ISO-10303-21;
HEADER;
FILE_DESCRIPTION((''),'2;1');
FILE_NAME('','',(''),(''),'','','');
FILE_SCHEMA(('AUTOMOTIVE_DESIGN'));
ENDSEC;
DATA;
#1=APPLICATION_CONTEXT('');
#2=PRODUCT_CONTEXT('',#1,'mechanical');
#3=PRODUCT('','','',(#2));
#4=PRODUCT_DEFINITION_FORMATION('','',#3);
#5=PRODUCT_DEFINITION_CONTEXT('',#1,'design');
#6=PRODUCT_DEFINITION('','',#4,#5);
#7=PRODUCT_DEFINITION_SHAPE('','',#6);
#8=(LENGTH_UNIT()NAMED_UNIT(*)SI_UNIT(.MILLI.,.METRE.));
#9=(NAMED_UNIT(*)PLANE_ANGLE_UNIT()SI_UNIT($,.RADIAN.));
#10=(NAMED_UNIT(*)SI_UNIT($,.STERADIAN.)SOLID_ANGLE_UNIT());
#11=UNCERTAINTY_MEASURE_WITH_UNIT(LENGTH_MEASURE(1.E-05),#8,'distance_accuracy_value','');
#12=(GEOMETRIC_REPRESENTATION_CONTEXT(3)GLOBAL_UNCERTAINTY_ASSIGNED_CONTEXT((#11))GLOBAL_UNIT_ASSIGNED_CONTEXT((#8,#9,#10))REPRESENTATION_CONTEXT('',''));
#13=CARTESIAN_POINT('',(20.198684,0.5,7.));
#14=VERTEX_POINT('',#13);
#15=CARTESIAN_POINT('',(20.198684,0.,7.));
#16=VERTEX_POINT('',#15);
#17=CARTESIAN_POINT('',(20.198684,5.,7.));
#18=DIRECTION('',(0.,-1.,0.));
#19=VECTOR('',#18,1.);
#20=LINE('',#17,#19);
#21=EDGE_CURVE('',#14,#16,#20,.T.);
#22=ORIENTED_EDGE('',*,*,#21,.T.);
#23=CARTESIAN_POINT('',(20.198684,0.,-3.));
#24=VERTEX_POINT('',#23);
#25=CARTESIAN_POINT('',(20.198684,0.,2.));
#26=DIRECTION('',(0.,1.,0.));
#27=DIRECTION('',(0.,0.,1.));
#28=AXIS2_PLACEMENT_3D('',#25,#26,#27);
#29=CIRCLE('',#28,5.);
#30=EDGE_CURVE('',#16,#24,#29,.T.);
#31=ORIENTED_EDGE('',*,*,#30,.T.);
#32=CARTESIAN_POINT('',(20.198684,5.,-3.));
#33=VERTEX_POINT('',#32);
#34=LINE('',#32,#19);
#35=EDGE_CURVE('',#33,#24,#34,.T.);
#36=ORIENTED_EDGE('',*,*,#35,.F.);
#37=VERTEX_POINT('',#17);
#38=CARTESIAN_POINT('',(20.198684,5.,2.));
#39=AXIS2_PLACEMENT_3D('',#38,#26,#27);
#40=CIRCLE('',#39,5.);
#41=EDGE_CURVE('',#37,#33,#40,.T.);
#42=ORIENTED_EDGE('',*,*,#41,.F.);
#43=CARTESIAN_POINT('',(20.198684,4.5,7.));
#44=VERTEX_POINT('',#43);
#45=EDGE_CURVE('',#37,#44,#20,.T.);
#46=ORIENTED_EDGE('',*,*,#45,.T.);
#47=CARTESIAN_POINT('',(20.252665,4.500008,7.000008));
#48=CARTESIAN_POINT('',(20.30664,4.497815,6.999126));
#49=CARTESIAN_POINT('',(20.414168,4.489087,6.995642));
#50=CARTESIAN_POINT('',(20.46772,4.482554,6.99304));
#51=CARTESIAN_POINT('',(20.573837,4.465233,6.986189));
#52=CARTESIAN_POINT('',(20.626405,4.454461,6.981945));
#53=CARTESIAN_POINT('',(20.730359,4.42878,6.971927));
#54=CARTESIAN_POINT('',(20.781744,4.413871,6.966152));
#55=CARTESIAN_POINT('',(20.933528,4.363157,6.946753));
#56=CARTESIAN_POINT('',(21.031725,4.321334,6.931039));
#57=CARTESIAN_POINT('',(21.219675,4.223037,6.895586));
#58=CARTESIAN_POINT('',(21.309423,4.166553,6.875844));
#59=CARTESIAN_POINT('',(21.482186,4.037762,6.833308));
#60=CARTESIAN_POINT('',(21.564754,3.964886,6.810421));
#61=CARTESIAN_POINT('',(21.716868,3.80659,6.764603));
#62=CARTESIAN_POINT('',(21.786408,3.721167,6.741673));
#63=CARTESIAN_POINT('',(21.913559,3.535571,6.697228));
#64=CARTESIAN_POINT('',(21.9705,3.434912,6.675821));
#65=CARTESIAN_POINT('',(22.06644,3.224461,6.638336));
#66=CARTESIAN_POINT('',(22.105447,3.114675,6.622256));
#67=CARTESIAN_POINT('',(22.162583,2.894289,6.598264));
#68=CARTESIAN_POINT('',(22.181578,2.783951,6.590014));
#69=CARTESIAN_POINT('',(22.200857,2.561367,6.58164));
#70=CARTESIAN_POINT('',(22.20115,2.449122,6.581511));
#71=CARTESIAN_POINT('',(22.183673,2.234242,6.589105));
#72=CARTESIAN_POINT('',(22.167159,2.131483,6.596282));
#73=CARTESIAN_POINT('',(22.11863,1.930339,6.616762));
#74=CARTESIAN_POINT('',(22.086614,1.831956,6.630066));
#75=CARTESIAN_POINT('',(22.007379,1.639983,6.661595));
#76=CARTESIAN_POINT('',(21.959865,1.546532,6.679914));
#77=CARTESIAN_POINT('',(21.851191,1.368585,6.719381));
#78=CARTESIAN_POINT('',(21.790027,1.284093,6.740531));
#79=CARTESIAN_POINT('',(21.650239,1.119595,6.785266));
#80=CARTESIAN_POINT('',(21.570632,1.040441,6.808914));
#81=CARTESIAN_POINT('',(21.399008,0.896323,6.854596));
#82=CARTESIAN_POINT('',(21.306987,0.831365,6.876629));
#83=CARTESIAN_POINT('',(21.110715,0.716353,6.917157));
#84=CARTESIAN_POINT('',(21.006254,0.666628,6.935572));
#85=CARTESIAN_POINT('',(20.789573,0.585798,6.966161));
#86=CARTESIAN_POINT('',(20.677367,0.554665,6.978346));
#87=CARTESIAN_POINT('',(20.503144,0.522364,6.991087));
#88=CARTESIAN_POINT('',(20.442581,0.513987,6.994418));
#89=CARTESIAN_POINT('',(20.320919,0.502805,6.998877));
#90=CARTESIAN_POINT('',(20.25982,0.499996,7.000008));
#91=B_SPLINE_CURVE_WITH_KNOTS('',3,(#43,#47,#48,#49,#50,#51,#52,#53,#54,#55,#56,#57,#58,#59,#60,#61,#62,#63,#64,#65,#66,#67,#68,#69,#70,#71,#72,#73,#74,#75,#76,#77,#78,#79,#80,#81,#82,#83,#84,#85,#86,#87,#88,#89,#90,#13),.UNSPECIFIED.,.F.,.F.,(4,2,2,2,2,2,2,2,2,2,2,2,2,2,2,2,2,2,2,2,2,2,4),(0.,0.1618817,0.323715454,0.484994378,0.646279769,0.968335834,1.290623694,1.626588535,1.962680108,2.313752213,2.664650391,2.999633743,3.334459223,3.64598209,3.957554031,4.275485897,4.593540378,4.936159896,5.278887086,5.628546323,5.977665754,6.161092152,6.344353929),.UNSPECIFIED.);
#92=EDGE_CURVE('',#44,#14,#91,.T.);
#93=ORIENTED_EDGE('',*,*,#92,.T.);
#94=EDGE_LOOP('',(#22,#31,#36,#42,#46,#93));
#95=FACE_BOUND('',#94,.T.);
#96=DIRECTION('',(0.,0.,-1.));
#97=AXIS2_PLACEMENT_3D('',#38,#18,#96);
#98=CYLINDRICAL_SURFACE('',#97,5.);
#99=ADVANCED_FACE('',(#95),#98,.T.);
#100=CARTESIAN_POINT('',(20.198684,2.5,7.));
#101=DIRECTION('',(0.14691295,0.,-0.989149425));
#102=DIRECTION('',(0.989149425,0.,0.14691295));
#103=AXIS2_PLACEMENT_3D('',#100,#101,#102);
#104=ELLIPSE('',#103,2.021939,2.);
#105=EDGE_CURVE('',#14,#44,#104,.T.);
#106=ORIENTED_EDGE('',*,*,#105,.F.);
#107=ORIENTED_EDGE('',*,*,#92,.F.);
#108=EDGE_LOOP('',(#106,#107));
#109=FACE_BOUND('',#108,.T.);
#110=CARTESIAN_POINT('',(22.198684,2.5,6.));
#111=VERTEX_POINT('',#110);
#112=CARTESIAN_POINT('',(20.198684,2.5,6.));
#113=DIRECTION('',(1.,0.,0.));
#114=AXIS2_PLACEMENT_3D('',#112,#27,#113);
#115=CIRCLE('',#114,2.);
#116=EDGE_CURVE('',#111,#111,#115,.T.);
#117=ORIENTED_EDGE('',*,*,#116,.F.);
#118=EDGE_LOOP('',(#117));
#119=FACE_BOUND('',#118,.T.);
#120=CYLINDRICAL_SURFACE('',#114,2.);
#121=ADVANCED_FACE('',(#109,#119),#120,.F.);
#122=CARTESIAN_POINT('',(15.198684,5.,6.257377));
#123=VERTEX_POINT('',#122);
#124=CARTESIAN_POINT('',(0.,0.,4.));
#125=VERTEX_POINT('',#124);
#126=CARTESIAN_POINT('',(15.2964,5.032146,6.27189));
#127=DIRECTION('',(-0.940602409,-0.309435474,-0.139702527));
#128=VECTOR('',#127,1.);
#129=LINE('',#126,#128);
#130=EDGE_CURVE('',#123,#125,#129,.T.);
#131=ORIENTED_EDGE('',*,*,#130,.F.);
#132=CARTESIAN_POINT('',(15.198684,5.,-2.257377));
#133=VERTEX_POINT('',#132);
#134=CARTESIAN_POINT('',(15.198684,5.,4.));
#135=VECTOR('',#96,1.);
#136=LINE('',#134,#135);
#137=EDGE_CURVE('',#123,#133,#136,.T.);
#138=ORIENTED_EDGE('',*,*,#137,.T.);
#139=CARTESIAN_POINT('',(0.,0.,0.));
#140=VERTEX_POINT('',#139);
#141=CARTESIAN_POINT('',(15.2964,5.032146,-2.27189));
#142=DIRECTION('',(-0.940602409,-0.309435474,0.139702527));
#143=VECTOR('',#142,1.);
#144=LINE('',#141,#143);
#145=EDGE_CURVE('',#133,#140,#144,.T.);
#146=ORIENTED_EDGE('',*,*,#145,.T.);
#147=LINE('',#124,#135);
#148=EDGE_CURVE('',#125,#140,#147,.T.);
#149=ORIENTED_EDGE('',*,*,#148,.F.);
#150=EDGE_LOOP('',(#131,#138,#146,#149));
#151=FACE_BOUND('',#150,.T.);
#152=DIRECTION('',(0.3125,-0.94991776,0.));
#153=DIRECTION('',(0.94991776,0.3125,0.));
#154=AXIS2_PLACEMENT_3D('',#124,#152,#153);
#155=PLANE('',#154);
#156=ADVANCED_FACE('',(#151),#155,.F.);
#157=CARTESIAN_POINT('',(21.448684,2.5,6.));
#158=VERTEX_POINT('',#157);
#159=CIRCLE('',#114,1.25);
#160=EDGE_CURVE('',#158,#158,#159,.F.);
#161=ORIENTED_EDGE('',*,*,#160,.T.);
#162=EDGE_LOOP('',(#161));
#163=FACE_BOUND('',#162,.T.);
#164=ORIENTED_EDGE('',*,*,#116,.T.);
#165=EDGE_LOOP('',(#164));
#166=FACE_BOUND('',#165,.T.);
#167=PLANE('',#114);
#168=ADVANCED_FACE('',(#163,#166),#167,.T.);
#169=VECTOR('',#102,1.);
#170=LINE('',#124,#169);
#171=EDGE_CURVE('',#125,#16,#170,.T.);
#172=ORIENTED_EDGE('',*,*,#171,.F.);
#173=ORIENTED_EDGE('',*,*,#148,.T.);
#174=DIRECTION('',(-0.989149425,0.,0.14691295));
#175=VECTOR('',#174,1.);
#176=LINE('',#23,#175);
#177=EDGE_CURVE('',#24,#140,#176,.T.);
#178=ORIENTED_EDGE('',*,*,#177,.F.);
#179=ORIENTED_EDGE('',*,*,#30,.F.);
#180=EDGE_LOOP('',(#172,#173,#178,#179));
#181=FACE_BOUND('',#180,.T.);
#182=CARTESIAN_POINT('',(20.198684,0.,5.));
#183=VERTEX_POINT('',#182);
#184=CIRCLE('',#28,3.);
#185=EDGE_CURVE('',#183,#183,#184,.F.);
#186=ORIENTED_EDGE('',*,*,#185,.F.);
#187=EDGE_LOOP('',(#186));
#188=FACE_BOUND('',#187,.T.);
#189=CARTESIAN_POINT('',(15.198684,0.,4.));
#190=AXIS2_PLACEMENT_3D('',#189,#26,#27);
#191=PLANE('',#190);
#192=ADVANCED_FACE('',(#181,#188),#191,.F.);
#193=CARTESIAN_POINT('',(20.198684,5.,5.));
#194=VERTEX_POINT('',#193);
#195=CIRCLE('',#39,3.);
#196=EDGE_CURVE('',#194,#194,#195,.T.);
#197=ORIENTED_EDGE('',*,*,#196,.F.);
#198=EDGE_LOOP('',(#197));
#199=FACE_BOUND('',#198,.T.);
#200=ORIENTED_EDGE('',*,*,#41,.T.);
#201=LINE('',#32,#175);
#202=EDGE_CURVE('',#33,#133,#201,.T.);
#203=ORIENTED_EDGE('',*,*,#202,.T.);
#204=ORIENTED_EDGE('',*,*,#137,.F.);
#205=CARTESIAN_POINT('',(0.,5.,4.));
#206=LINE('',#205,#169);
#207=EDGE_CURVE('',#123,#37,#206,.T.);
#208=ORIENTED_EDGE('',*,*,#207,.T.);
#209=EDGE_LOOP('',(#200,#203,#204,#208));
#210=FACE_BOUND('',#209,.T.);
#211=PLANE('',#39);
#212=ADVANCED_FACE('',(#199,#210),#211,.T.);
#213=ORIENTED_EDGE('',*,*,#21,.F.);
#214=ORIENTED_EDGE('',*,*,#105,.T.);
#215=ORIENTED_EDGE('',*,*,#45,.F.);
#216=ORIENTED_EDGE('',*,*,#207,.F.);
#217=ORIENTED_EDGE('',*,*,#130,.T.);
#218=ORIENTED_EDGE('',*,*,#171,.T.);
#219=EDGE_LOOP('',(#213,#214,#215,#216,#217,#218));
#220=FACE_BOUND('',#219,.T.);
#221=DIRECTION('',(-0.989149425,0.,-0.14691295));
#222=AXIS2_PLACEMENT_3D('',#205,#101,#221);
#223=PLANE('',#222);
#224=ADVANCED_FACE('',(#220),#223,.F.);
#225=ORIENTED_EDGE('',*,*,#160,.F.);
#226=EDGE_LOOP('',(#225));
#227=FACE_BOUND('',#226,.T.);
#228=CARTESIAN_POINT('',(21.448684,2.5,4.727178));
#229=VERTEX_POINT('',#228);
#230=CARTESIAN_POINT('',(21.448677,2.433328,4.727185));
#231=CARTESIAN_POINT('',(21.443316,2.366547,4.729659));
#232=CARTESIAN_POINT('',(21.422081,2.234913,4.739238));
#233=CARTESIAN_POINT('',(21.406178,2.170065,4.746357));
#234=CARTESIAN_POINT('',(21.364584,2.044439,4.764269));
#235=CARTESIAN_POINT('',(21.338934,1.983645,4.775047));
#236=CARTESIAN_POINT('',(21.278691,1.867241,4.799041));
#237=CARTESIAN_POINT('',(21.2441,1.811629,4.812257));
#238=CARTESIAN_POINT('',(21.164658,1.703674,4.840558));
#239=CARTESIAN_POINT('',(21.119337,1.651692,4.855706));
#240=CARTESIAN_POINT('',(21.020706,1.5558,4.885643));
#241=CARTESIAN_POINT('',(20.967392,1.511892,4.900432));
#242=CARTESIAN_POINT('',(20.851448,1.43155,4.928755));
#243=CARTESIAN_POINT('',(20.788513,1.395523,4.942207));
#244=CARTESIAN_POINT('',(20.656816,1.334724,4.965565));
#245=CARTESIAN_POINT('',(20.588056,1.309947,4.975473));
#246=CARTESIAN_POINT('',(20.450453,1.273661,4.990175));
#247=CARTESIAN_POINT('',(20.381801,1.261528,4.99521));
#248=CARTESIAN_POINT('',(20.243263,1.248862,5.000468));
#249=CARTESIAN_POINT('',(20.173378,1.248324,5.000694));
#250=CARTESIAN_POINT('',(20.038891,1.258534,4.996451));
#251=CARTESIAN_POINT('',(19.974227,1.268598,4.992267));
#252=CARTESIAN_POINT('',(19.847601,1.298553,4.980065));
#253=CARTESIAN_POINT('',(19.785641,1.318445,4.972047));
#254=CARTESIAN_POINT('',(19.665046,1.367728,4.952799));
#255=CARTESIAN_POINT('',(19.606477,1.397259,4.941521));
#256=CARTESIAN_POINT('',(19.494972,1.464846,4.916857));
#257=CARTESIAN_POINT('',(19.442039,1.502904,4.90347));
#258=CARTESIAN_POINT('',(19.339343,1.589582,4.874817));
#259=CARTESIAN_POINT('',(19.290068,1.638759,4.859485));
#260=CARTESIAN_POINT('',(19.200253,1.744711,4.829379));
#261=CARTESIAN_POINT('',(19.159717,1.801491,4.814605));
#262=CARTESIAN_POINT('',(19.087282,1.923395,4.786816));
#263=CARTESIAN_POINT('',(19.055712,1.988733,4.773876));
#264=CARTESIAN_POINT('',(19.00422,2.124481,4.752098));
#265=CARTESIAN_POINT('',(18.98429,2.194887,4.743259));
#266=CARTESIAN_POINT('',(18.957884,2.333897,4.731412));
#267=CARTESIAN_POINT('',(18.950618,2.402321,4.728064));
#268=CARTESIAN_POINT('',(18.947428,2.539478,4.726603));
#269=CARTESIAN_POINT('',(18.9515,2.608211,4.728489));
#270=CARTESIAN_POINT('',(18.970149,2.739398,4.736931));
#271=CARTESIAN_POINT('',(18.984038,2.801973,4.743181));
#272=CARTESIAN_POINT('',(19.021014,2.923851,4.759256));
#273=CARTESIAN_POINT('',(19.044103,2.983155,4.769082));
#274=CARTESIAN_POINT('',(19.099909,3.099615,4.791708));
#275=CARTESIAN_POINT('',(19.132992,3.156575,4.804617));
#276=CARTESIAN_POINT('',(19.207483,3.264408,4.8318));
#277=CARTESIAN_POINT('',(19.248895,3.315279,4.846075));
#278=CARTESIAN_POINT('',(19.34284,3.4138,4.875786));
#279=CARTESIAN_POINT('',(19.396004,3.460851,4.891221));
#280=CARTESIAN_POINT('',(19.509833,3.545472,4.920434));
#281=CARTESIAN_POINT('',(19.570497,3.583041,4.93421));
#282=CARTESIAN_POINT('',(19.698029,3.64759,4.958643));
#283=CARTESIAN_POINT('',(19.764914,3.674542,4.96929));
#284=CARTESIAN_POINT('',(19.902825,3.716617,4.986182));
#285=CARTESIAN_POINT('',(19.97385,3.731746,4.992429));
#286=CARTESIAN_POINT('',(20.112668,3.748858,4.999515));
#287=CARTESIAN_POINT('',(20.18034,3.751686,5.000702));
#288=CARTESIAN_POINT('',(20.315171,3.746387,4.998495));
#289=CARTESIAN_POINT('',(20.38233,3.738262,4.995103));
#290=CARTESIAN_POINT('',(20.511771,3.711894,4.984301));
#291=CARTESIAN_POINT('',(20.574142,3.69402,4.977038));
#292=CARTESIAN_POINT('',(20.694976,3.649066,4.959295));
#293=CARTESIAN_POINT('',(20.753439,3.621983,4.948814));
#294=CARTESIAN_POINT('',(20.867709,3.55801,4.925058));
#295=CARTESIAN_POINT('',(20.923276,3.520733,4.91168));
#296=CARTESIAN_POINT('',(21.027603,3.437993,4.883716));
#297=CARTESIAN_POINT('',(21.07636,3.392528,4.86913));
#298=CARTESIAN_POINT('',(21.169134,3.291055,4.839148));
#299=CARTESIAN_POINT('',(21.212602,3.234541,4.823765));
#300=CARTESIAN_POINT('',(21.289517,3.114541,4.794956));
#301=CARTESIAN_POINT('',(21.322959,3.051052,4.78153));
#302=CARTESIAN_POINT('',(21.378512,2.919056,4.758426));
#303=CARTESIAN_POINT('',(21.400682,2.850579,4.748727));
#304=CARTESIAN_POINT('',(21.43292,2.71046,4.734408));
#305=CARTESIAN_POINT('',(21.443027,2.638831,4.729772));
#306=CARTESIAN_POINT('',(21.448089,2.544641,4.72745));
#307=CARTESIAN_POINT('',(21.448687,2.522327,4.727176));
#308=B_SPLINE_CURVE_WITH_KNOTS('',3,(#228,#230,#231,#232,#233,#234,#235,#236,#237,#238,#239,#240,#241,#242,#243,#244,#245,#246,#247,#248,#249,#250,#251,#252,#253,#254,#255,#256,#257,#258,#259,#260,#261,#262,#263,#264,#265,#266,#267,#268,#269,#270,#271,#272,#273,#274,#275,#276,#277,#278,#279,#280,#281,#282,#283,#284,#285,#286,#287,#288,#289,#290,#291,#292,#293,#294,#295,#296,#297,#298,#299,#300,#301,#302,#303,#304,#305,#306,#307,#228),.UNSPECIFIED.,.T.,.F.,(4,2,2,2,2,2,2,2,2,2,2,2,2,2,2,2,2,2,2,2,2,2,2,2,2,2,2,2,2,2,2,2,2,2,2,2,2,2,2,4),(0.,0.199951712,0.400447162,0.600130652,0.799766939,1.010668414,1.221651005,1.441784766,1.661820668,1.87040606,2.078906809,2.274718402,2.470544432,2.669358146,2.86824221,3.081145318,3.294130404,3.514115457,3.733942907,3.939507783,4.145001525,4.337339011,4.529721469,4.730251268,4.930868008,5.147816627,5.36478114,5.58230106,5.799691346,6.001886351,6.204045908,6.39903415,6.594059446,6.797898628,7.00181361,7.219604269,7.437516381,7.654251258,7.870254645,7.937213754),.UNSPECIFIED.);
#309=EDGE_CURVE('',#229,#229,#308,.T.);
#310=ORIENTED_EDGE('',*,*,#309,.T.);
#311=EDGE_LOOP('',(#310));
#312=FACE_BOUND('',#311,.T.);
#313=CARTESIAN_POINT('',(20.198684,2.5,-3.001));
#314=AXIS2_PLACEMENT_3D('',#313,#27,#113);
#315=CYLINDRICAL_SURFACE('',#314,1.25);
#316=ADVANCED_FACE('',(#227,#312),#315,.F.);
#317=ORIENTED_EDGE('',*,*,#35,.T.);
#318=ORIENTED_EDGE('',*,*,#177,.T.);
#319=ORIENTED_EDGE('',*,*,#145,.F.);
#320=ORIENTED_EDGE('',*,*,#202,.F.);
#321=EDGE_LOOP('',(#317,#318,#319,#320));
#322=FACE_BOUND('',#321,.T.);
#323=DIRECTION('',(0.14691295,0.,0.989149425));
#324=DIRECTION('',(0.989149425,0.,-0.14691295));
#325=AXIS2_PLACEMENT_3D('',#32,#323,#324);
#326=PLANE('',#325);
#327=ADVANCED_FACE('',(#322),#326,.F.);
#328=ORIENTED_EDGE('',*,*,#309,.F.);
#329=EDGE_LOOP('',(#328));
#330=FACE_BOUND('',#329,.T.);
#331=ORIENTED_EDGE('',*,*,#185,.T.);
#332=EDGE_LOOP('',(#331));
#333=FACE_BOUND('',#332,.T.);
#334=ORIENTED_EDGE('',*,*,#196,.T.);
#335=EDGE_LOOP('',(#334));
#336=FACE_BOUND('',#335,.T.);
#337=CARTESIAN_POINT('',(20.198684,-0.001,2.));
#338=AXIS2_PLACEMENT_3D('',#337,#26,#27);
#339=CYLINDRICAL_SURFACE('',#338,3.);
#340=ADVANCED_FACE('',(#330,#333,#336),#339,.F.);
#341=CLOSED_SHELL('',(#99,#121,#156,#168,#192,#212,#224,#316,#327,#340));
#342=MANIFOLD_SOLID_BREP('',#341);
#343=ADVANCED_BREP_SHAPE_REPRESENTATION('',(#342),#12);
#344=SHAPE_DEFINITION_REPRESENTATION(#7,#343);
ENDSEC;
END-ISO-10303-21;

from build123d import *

# Parameters (mm, degrees)
BOSS_EXTRUDE4_DEPTH     = 4
BOSS_EXTRUDE6_DEPTH     = 5
CUT_EXTRUDE3_REACH      = 28.627
CUT_EXTRUDE2_REACH      = 28.627
SKETCH9_R               = 3
CUT_EXTRUDE4_REACH      = 29.568
CUT_EXTRUDE4_END_RADIUS = 3
SKETCH12_R              = 1.25
SKETCH13_R              = 2
CUT_EXTRUDE5_DEPTH      = 1


with BuildPart() as part:
    # Sketch1 → Boss-Extrude4 (new body)
    with BuildSketch(Plane.XY):
        Polygon((0, 0), (15.198684154, 5), (15.198684154, 0), align=None)
    extrude(amount=BOSS_EXTRUDE4_DEPTH)

    # Sketch7 → Boss-Extrude6 (add)
    with BuildSketch(Plane(origin=(0, 0, 0), x_dir=(1, 0, 0), z_dir=(0, 1, 0))):
        with BuildLine():
            Line((20.198684154, 3), (0, 0))
            Line((0, 0), (15.198684154, 0))
            Line((15.198684154, 0), (15.198684154, -4))
            Line((15.198684154, -4), (0, -4))
            Line((0, -4), (20.198684154, -7))
            ThreePointArc((20.198684154, -7), (25.198684154, -2), (20.198684154, 3))
        make_face()
    extrude(amount=BOSS_EXTRUDE6_DEPTH)

    # Sketch10 → Cut-Extrude3 (cut, up to next)
    with BuildSketch(Plane.XY, mode=Mode.PRIVATE) as cut_extrude3_sk1:
        Polygon((0, 0), (0, 5), (15.198684154, 5), align=None)
    cut_extrude3_tool1 = extrude(cut_extrude3_sk1.sketch, amount=-CUT_EXTRUDE3_REACH, mode=Mode.PRIVATE) & part.part
    cut_extrude3 = cut_extrude3_tool1.solids().sort_by_distance((5.066228, 3.333333, 0))[0]
    add(cut_extrude3, mode=Mode.SUBTRACT)

    # Sketch9 → Cut-Extrude2 (cut, up to next)
    with BuildSketch(Plane(origin=(0, 5, 0), x_dir=(1, 0, 0), z_dir=(0, 1, 0)), mode=Mode.PRIVATE) as cut_extrude2_sk1:
        with Locations(Location((20.198684154, -2, 0), (0, 0, 270))):
            Circle(SKETCH9_R)
    cut_extrude2_tool1 = extrude(cut_extrude2_sk1.sketch, amount=-CUT_EXTRUDE2_REACH, mode=Mode.PRIVATE) & part.part
    add(cut_extrude2_tool1.solids().sort_by_distance((20.198684, 5, 2))[0], mode=Mode.SUBTRACT)

    # Mirror1: Cut-Extrude3 across plane
    add(cut_extrude3.mirror(Plane.XY.offset(2)), mode=Mode.SUBTRACT)

    # Cut-Extrude4: up to this cylinder (the profile starts outside it)
    cut_extrude4_end = Plane(origin=(20.198684154, 2.5, 2), z_dir=(0, 1, 0)) * Cylinder(CUT_EXTRUDE4_END_RADIUS, 66.136, mode=Mode.PRIVATE)
    # Sketch12 → Cut-Extrude4 (cut, up to the surface)
    with BuildSketch(Plane.XY.offset(7), mode=Mode.PRIVATE) as cut_extrude4_sk1:
        with Locations(Location((20.198684154, 2.5, 0), (0, 0, 270))):
            Circle(SKETCH12_R)
    cut_extrude4_tool1 = extrude(cut_extrude4_sk1.sketch, amount=-CUT_EXTRUDE4_REACH, mode=Mode.PRIVATE) - cut_extrude4_end
    add(cut_extrude4_tool1.solids().sort_by_distance((20.198684, 2.5, 7))[0], mode=Mode.SUBTRACT)

    # Sketch13 → Cut-Extrude5 (cut)
    with BuildSketch(Plane.XY.offset(7)):
        with Locations((20.198684154, 2.5)):
            Circle(SKETCH13_R)
    extrude(amount=-CUT_EXTRUDE5_DEPTH, mode=Mode.SUBTRACT)


solid = part.part
